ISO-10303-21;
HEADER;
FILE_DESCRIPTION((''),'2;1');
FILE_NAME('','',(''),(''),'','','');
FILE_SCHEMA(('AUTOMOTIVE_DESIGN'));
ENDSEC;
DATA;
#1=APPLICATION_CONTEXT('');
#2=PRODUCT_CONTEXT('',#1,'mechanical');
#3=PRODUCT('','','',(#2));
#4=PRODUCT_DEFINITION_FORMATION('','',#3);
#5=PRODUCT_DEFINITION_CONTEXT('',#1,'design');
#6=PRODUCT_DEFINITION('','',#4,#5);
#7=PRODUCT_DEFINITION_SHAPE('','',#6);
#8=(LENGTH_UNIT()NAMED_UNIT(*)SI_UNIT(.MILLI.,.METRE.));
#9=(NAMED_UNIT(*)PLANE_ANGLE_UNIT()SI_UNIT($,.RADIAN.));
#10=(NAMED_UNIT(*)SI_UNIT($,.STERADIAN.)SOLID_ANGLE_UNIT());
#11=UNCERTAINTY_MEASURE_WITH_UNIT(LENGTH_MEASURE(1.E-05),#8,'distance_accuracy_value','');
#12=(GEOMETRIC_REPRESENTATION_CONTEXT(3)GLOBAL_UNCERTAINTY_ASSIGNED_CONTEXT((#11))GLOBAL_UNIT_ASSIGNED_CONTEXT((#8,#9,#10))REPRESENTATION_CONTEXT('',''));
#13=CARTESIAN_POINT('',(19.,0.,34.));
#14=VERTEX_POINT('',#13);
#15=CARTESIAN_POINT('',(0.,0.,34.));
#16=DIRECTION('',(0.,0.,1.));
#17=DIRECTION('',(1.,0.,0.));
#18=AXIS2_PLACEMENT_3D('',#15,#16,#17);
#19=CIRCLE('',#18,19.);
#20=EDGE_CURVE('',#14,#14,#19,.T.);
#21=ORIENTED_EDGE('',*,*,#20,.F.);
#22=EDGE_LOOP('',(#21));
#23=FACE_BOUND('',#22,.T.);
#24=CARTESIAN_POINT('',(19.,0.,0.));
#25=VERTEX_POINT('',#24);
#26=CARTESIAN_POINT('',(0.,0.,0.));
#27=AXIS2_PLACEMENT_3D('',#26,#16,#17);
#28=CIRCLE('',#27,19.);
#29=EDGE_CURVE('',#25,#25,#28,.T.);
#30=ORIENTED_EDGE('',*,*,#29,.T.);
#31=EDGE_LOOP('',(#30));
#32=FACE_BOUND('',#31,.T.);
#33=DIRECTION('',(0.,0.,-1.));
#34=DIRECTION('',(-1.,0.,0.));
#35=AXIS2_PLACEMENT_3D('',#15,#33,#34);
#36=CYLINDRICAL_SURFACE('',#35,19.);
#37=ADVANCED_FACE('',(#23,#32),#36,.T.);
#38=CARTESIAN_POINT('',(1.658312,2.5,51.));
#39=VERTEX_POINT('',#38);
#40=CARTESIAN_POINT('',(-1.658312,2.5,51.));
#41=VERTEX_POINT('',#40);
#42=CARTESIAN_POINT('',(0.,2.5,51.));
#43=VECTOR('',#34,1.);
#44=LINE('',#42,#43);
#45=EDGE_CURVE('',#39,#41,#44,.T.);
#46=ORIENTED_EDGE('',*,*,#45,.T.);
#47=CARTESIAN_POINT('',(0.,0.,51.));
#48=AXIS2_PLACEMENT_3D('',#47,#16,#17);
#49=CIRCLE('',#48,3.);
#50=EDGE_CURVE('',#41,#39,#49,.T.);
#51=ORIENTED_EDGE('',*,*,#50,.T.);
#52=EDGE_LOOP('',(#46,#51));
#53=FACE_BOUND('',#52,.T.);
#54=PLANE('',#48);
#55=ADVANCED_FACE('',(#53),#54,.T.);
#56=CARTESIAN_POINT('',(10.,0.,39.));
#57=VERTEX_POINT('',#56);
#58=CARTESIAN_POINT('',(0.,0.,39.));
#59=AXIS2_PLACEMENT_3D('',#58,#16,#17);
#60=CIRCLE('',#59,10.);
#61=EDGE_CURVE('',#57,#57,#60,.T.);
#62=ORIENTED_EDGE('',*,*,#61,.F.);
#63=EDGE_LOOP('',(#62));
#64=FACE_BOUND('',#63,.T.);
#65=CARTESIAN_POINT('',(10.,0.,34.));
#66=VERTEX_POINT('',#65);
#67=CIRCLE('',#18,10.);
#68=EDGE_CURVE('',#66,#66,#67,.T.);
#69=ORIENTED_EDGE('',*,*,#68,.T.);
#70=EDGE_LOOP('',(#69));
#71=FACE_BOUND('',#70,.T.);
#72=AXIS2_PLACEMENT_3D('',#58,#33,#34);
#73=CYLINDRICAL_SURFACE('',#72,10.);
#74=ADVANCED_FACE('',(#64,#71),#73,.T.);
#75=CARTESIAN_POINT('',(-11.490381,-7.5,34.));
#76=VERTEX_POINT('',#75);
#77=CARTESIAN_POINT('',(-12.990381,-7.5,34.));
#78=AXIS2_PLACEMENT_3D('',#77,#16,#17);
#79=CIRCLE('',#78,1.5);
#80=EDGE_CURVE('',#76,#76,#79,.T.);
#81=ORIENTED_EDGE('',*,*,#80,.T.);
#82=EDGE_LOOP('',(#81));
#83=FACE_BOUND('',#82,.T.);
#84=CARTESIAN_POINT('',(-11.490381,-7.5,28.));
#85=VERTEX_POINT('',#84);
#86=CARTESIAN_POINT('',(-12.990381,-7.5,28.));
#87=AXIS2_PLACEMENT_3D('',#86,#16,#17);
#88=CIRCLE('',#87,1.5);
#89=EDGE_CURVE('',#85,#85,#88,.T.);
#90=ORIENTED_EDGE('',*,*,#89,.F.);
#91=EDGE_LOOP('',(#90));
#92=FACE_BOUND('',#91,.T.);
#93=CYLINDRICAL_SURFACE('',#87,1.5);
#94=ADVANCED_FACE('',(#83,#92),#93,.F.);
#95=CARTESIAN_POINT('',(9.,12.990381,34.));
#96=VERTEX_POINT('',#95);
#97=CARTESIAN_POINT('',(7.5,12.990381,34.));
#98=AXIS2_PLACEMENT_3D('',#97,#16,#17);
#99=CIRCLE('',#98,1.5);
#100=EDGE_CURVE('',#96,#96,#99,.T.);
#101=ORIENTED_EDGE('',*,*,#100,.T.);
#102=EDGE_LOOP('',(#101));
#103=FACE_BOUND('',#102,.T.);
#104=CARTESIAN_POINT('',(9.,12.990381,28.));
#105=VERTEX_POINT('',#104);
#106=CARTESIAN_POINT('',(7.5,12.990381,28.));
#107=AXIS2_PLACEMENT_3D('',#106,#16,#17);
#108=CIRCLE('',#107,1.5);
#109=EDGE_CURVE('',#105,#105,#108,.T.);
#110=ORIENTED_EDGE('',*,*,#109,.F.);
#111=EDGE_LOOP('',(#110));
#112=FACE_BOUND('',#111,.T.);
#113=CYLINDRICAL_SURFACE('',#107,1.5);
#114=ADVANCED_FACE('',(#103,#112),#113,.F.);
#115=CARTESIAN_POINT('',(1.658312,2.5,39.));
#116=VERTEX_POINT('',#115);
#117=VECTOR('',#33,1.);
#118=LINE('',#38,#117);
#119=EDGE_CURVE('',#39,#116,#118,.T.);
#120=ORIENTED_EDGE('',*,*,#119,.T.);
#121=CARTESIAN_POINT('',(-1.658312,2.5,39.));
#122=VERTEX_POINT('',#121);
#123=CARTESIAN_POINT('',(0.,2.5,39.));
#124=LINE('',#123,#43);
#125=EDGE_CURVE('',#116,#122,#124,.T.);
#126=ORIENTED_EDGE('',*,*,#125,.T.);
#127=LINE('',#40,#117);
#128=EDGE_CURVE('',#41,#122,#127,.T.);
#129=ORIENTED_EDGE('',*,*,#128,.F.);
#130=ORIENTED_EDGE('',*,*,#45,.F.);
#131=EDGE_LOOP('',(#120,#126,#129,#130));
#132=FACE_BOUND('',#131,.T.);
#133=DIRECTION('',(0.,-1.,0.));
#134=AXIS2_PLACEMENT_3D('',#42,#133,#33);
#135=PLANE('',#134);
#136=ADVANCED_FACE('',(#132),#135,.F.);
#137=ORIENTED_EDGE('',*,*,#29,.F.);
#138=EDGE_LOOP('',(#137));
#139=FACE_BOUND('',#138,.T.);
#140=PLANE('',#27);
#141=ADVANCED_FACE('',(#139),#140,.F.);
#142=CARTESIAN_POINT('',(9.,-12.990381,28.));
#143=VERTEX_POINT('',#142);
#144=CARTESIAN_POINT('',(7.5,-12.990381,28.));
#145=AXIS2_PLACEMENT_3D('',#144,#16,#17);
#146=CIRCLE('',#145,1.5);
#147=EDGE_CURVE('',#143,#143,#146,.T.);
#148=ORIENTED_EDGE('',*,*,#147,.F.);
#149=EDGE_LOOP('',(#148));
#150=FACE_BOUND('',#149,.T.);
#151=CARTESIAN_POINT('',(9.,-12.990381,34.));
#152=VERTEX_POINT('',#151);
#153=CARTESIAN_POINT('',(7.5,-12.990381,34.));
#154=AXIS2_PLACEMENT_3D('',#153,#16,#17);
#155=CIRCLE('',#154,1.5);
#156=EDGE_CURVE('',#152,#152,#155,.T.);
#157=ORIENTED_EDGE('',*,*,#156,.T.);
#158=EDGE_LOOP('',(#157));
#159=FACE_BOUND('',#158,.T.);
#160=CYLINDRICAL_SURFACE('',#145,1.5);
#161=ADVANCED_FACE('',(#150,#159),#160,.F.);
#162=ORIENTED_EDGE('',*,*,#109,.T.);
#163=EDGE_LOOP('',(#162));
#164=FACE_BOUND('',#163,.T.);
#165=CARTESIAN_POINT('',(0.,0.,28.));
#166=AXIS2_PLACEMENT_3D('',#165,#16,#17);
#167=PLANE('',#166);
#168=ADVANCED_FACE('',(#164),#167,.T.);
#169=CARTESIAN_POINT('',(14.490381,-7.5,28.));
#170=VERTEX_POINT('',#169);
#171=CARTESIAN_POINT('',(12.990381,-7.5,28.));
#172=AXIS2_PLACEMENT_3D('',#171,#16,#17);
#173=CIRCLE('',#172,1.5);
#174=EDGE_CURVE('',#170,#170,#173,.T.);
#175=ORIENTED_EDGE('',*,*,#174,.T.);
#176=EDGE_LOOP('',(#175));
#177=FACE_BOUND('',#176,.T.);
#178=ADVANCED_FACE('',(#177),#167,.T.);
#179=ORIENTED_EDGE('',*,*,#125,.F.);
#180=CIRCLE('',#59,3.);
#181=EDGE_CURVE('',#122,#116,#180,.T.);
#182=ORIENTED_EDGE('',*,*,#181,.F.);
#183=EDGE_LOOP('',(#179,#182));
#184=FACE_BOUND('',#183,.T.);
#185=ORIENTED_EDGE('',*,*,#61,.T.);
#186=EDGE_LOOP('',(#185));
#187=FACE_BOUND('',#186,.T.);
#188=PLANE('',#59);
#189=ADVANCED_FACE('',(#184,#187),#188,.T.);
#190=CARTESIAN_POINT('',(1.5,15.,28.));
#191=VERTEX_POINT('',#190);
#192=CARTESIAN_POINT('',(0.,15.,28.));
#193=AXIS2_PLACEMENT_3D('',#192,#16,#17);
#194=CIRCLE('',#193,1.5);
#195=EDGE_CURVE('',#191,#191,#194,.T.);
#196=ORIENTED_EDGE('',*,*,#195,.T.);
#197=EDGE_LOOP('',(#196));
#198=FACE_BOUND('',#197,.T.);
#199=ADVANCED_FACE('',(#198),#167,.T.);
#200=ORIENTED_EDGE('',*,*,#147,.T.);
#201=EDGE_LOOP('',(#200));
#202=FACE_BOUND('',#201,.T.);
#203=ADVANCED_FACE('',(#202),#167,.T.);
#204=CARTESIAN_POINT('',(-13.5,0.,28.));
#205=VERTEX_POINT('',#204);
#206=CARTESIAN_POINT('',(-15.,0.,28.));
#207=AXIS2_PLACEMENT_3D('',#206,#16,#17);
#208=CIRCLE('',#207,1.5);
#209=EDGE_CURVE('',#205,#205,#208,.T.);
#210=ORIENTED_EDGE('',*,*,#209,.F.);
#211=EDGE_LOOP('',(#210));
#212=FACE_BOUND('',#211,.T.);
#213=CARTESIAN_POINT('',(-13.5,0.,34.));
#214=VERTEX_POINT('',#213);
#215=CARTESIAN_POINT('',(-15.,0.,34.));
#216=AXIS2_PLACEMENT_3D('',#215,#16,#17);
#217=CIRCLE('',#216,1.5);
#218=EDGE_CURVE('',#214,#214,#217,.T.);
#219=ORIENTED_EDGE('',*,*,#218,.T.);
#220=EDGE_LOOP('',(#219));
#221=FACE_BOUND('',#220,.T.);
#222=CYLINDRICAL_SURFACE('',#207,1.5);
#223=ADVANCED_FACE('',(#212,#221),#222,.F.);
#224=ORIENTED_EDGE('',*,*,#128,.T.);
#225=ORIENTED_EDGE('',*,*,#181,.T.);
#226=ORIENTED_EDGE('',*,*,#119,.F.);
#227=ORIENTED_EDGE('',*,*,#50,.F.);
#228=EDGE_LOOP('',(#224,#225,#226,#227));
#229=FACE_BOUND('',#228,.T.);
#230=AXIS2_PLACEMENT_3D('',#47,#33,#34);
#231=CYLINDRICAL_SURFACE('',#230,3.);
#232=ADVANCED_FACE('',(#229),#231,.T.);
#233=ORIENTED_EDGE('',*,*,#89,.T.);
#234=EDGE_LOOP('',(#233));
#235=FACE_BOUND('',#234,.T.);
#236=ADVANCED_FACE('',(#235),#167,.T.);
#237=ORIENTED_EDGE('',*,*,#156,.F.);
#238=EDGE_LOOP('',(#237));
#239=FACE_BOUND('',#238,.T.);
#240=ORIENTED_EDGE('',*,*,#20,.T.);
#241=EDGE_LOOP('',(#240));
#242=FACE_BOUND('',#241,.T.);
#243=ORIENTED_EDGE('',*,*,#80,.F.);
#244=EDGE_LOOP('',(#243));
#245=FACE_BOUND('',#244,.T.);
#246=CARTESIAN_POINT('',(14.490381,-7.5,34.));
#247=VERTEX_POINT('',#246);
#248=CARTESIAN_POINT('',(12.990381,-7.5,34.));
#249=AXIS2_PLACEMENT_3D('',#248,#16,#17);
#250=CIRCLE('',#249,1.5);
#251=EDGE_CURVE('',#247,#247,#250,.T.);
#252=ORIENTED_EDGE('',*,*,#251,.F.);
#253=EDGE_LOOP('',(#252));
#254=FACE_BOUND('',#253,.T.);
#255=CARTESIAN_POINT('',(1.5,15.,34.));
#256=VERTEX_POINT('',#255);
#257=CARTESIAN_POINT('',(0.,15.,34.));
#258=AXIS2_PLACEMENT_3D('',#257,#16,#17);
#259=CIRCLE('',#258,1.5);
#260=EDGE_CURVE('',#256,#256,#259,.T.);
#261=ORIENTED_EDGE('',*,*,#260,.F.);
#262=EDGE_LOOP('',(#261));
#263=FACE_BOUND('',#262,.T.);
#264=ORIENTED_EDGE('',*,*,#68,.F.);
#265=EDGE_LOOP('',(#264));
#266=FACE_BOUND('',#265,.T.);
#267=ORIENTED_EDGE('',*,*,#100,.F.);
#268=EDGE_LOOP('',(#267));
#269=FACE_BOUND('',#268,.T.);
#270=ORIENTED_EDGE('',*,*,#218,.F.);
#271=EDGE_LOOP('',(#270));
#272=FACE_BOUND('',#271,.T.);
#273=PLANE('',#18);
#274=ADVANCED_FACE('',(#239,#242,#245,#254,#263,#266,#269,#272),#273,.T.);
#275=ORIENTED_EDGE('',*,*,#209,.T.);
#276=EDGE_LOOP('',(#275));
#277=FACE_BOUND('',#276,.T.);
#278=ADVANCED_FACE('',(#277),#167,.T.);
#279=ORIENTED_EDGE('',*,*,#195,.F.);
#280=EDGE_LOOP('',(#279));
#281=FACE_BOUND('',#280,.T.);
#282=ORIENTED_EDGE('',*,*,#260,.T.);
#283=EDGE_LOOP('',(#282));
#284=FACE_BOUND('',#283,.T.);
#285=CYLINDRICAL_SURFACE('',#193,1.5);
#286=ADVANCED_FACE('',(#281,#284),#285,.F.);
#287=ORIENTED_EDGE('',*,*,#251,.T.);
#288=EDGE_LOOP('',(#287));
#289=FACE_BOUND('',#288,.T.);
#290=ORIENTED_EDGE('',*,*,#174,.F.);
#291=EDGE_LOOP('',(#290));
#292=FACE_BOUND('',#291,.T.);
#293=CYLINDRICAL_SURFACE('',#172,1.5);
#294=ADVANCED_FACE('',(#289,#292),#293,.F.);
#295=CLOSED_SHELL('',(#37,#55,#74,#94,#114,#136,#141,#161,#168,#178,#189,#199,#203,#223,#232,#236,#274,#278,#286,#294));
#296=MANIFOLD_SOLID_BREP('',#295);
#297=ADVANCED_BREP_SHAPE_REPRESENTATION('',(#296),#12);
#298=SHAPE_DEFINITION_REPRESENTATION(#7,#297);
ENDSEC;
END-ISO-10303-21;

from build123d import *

# Parameters (mm, degrees)
SKETCH1_R           = 19
BOSS_EXTRUDE1_DEPTH = 34
SKETCH2_R           = 1.5
CUT_EXTRUDE1_DEPTH  = 6
SKETCH3_R           = 10
BOSS_EXTRUDE2_DEPTH = 5
BOSS_EXTRUDE3_DEPTH = 12


with BuildPart() as part:
    # Sketch1 → Boss-Extrude1 (new body)
    with BuildSketch(Plane.XY):
        Circle(SKETCH1_R)
    extrude(amount=BOSS_EXTRUDE1_DEPTH)

    # Sketch2 → Cut-Extrude1 (cut)
    with BuildSketch(Plane.XY.offset(34)):
        with Locations((-12.990381057, -7.5)):
            Circle(SKETCH2_R)
        with Locations((-15, 0)):
            Circle(SKETCH2_R)
        with Locations((0, 15)):
            Circle(SKETCH2_R)
        with Locations((7.5, 12.990381057)):
            Circle(SKETCH2_R)
        with Locations((12.990381057, -7.5)):
            Circle(SKETCH2_R)
        with Locations((7.5, -12.990381057)):
            Circle(SKETCH2_R)
    extrude(amount=-CUT_EXTRUDE1_DEPTH, mode=Mode.SUBTRACT)

    # Sketch3 → Boss-Extrude2 (add)
    with BuildSketch(Plane.XY.offset(34)):
        Circle(SKETCH3_R)
    extrude(amount=BOSS_EXTRUDE2_DEPTH)

    # Sketch4 → Boss-Extrude3 (add)
    with BuildSketch(Plane.XY.offset(39)):
        with BuildLine():
            ThreePointArc((3, 0), (2.643382037, 1.418637165), (1.658312395, 2.5))
            Line((1.658312395, 2.5), (-1.658312395, 2.5))
            ThreePointArc((-1.658312395, 2.5), (-1.418637165, -2.643382037), (3, 0))
        make_face()
    extrude(amount=BOSS_EXTRUDE3_DEPTH)


solid = part.part
